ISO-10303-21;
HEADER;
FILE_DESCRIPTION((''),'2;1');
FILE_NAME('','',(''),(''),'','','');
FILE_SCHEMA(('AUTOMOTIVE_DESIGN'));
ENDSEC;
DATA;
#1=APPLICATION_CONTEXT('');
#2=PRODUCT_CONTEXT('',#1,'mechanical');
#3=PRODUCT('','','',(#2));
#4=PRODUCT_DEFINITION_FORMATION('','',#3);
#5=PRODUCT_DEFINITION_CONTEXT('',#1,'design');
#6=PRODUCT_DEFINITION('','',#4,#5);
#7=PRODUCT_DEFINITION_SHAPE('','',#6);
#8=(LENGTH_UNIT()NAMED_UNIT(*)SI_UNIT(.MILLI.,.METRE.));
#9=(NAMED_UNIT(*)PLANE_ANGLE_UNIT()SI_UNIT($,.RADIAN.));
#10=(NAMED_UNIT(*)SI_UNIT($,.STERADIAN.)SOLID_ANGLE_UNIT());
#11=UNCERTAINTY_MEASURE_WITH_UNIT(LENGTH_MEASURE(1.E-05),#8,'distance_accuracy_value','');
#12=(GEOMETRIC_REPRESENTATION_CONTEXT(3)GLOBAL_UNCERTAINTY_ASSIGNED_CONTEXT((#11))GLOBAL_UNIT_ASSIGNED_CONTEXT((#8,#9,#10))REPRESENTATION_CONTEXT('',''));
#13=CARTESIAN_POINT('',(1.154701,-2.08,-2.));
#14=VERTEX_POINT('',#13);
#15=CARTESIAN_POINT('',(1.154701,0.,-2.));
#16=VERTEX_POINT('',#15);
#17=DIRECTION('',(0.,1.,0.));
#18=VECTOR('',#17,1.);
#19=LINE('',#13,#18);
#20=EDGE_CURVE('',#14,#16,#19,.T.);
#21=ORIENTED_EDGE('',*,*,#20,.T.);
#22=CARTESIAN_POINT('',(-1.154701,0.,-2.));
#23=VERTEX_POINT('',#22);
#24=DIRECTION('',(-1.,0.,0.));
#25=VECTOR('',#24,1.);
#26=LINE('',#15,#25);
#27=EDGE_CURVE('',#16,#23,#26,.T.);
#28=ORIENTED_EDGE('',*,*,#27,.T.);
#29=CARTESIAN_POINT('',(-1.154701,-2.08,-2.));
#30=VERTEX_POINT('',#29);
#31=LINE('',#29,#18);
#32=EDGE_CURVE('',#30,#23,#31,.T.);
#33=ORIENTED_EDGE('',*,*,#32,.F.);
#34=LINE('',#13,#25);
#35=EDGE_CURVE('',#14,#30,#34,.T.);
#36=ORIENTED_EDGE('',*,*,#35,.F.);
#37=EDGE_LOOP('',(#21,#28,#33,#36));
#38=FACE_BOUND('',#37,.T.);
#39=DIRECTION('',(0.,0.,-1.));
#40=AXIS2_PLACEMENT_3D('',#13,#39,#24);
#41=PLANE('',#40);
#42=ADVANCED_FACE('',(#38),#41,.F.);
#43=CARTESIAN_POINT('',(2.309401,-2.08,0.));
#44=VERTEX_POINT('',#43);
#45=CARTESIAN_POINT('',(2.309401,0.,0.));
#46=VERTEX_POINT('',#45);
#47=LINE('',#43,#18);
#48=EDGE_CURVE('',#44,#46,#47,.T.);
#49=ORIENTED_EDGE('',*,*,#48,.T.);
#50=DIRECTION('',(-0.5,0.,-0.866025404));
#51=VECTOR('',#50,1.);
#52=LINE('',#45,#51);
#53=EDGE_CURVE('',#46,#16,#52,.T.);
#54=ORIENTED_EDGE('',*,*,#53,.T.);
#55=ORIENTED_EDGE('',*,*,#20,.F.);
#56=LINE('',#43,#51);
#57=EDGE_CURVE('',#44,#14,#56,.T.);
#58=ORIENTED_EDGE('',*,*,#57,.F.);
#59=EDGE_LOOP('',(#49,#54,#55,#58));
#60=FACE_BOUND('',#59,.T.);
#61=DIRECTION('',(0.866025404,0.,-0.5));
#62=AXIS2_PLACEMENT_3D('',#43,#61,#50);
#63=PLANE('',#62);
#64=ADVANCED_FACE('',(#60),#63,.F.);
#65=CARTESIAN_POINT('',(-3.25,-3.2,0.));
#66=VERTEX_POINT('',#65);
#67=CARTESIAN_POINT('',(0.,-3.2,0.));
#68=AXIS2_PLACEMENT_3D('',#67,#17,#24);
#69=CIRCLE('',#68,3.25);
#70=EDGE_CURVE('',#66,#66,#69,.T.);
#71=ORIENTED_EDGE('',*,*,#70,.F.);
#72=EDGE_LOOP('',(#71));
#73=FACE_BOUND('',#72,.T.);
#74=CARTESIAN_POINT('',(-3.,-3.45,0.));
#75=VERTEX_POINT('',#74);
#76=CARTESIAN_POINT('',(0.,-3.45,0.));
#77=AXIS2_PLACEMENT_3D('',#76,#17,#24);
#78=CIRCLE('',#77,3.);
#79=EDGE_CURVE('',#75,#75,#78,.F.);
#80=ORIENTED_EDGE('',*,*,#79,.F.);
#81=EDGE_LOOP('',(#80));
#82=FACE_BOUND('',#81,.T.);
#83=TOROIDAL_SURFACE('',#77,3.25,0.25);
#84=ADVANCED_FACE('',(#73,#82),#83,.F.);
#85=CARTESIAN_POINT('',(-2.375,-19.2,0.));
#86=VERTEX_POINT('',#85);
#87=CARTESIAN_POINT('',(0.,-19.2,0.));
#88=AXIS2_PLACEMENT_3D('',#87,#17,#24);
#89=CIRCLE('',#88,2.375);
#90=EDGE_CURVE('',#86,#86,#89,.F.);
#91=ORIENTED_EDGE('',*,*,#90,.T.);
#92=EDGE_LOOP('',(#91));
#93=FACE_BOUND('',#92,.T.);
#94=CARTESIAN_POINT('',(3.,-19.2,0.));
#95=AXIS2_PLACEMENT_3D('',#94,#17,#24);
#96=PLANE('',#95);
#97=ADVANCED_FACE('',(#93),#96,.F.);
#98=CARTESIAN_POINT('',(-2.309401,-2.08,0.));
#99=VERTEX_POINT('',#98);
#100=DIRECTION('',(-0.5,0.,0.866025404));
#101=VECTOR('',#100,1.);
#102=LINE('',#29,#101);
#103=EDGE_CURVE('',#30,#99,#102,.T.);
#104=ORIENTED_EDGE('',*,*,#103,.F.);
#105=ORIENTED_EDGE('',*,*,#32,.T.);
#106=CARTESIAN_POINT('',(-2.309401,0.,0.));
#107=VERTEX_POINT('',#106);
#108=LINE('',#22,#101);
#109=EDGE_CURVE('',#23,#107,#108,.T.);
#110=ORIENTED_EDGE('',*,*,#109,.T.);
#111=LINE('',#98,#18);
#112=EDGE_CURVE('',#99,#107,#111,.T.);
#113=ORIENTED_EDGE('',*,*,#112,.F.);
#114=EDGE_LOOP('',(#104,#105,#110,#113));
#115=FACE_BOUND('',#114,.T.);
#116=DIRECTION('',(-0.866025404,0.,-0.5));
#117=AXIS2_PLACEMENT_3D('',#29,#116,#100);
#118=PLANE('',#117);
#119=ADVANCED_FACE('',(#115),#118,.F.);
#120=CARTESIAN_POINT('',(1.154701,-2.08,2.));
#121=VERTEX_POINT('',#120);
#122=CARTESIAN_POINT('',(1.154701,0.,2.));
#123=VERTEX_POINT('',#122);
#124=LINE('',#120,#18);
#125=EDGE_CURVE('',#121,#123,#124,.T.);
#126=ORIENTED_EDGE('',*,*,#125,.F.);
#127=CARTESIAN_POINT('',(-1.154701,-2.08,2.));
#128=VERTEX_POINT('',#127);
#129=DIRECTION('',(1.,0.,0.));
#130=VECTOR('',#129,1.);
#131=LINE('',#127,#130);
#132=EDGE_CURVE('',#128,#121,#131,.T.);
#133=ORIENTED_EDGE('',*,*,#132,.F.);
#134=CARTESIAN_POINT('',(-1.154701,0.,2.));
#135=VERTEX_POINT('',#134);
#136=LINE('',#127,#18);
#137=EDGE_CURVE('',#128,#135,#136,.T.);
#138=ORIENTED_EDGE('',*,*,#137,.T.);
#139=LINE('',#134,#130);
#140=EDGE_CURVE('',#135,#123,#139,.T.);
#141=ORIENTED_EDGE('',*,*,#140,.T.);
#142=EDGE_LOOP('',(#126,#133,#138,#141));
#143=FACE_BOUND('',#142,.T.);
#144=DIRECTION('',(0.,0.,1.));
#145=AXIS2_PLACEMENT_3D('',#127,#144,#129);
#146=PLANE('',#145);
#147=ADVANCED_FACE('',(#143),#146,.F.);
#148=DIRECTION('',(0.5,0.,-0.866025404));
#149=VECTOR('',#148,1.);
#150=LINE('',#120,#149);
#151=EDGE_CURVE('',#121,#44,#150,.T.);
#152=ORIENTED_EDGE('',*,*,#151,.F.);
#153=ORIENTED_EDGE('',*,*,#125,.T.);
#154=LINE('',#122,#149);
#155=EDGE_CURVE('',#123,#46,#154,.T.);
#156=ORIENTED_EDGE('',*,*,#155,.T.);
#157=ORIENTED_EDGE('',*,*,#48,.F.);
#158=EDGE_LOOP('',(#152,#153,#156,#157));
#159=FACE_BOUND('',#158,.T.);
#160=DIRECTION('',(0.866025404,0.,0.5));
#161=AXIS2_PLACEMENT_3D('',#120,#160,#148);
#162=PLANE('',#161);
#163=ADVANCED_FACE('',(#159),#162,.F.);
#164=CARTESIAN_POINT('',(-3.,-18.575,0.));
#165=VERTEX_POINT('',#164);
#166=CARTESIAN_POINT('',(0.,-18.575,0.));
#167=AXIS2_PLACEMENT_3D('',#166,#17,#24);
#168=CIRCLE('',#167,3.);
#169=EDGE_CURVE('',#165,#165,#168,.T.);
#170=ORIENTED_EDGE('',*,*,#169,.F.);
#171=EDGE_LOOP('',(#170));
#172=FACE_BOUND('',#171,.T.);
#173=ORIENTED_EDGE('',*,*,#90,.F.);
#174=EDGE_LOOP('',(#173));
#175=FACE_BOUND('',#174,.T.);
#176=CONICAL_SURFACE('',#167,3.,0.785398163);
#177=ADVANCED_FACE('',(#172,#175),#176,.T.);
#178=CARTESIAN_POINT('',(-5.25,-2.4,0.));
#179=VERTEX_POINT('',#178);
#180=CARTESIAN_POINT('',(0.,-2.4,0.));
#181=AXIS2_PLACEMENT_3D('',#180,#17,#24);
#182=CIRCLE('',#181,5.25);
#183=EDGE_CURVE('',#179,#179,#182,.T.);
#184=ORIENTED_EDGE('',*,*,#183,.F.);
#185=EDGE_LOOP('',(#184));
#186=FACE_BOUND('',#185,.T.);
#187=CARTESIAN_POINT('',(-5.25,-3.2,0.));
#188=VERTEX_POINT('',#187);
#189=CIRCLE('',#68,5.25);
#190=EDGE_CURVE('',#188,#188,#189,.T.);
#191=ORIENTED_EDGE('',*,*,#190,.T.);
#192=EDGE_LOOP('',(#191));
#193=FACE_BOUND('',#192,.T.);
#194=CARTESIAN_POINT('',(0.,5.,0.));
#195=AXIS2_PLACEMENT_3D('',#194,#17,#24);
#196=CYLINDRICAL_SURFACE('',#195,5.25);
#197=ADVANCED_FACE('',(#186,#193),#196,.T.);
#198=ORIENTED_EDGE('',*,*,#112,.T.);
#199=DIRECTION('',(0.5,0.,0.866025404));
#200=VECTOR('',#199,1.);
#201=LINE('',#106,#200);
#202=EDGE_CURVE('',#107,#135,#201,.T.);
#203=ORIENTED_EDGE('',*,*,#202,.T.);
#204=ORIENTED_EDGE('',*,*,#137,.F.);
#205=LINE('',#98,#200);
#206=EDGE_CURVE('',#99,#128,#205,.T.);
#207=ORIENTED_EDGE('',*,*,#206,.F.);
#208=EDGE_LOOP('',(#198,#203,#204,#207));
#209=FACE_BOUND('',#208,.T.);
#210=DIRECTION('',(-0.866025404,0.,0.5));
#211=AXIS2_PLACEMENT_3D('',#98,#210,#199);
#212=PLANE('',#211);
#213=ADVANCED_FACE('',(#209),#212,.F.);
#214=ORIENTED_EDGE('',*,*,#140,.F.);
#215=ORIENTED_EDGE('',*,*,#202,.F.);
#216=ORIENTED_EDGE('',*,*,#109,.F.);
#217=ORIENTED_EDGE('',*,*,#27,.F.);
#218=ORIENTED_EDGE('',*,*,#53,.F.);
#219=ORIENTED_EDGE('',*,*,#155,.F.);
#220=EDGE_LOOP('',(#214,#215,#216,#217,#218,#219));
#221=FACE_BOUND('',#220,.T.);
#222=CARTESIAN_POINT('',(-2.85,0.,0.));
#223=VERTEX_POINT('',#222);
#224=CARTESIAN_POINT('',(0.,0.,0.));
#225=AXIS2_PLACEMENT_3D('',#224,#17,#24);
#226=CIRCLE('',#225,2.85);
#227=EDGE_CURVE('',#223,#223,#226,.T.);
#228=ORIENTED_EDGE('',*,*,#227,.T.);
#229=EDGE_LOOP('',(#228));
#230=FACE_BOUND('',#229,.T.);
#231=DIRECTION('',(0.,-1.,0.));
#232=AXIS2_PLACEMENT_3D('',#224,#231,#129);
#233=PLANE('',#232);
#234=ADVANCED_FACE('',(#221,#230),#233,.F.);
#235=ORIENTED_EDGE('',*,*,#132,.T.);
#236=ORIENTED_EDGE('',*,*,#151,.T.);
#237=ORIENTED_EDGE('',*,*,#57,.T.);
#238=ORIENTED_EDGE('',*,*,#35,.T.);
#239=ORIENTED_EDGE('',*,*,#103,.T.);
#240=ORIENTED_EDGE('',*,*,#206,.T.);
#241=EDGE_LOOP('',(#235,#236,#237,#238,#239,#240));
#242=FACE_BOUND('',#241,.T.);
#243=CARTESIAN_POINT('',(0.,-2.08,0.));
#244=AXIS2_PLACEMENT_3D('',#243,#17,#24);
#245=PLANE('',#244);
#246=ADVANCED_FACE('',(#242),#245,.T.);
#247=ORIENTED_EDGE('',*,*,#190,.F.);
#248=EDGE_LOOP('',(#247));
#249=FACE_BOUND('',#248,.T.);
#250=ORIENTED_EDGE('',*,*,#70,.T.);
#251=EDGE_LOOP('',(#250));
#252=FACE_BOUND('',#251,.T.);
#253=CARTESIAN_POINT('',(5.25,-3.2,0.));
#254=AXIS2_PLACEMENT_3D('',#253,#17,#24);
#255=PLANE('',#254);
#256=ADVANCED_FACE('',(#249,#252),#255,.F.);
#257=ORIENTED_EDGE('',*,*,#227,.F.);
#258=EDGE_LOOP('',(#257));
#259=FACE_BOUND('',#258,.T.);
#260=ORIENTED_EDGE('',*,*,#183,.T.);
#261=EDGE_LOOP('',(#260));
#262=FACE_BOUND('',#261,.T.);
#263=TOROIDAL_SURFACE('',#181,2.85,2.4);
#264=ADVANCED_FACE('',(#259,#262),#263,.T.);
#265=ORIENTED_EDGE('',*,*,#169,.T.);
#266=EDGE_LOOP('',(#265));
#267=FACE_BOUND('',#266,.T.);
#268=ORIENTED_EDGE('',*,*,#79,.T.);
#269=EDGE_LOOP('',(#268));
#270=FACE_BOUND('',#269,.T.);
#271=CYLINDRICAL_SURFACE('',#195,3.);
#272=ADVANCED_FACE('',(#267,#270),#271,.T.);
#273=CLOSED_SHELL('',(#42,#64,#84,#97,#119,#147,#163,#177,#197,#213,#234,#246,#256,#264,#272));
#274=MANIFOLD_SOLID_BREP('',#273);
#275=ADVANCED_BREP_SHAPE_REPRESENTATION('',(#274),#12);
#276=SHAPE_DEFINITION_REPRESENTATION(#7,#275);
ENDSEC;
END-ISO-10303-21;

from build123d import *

# Parameters (mm, degrees)
CUT_EXTRUDE1_DEPTH = 2.08
FILLET1_R          = 0.25
CHAMFER1_SIZE      = 0.625


with BuildPart() as part:
    # Sketch1 → Revolve1 (revolve)
    with BuildSketch(Plane.XY, mode=Mode.PRIVATE) as revolve1_sk:
        with BuildLine():
            Line((0, 0), (2.85, 0))
            ThreePointArc((2.85, 0), (4.547056275, -0.702943725), (5.25, -2.4))
            Line((5.25, -2.4), (5.25, -3.2))
            Line((5.25, -3.2), (3, -3.2))
            Line((3, -3.2), (3, -19.2))
            Line((3, -19.2), (0, -19.2))
            Line((0, -19.2), (0, 0))
        make_face()
    revolve(revolve1_sk.sketch.rotate(Axis((0, 5, 0), (0, -1, 0)), 180), axis=Axis((0, 5, 0), (0, -1, 0)))

    # Sketch2 → Cut-Extrude1 (cut)
    with BuildSketch(Plane(origin=(0, 0, 0), x_dir=(1, 0, 0), z_dir=(0, 1, 0))):
        Polygon((2.309401077, 0), (1.154700538, 2), (-1.154700538, 2), (-2.309401077, 0), (-1.154700538, -2), (1.154700538, -2), align=None)
    extrude(amount=-CUT_EXTRUDE1_DEPTH, mode=Mode.SUBTRACT)

    # Fillet1
    fillet1_edges = [part.edges().sort_by_distance(p)[0] for p in [
        (3, -3.2, 0),
    ]]
    fillet(fillet1_edges, radius=FILLET1_R)

    # Chamfer1
    chamfer1_edges = [part.edges().sort_by_distance(p)[0] for p in [
        (3, -19.2, 0),
    ]]
    chamfer(chamfer1_edges, length=CHAMFER1_SIZE)


solid = part.part
